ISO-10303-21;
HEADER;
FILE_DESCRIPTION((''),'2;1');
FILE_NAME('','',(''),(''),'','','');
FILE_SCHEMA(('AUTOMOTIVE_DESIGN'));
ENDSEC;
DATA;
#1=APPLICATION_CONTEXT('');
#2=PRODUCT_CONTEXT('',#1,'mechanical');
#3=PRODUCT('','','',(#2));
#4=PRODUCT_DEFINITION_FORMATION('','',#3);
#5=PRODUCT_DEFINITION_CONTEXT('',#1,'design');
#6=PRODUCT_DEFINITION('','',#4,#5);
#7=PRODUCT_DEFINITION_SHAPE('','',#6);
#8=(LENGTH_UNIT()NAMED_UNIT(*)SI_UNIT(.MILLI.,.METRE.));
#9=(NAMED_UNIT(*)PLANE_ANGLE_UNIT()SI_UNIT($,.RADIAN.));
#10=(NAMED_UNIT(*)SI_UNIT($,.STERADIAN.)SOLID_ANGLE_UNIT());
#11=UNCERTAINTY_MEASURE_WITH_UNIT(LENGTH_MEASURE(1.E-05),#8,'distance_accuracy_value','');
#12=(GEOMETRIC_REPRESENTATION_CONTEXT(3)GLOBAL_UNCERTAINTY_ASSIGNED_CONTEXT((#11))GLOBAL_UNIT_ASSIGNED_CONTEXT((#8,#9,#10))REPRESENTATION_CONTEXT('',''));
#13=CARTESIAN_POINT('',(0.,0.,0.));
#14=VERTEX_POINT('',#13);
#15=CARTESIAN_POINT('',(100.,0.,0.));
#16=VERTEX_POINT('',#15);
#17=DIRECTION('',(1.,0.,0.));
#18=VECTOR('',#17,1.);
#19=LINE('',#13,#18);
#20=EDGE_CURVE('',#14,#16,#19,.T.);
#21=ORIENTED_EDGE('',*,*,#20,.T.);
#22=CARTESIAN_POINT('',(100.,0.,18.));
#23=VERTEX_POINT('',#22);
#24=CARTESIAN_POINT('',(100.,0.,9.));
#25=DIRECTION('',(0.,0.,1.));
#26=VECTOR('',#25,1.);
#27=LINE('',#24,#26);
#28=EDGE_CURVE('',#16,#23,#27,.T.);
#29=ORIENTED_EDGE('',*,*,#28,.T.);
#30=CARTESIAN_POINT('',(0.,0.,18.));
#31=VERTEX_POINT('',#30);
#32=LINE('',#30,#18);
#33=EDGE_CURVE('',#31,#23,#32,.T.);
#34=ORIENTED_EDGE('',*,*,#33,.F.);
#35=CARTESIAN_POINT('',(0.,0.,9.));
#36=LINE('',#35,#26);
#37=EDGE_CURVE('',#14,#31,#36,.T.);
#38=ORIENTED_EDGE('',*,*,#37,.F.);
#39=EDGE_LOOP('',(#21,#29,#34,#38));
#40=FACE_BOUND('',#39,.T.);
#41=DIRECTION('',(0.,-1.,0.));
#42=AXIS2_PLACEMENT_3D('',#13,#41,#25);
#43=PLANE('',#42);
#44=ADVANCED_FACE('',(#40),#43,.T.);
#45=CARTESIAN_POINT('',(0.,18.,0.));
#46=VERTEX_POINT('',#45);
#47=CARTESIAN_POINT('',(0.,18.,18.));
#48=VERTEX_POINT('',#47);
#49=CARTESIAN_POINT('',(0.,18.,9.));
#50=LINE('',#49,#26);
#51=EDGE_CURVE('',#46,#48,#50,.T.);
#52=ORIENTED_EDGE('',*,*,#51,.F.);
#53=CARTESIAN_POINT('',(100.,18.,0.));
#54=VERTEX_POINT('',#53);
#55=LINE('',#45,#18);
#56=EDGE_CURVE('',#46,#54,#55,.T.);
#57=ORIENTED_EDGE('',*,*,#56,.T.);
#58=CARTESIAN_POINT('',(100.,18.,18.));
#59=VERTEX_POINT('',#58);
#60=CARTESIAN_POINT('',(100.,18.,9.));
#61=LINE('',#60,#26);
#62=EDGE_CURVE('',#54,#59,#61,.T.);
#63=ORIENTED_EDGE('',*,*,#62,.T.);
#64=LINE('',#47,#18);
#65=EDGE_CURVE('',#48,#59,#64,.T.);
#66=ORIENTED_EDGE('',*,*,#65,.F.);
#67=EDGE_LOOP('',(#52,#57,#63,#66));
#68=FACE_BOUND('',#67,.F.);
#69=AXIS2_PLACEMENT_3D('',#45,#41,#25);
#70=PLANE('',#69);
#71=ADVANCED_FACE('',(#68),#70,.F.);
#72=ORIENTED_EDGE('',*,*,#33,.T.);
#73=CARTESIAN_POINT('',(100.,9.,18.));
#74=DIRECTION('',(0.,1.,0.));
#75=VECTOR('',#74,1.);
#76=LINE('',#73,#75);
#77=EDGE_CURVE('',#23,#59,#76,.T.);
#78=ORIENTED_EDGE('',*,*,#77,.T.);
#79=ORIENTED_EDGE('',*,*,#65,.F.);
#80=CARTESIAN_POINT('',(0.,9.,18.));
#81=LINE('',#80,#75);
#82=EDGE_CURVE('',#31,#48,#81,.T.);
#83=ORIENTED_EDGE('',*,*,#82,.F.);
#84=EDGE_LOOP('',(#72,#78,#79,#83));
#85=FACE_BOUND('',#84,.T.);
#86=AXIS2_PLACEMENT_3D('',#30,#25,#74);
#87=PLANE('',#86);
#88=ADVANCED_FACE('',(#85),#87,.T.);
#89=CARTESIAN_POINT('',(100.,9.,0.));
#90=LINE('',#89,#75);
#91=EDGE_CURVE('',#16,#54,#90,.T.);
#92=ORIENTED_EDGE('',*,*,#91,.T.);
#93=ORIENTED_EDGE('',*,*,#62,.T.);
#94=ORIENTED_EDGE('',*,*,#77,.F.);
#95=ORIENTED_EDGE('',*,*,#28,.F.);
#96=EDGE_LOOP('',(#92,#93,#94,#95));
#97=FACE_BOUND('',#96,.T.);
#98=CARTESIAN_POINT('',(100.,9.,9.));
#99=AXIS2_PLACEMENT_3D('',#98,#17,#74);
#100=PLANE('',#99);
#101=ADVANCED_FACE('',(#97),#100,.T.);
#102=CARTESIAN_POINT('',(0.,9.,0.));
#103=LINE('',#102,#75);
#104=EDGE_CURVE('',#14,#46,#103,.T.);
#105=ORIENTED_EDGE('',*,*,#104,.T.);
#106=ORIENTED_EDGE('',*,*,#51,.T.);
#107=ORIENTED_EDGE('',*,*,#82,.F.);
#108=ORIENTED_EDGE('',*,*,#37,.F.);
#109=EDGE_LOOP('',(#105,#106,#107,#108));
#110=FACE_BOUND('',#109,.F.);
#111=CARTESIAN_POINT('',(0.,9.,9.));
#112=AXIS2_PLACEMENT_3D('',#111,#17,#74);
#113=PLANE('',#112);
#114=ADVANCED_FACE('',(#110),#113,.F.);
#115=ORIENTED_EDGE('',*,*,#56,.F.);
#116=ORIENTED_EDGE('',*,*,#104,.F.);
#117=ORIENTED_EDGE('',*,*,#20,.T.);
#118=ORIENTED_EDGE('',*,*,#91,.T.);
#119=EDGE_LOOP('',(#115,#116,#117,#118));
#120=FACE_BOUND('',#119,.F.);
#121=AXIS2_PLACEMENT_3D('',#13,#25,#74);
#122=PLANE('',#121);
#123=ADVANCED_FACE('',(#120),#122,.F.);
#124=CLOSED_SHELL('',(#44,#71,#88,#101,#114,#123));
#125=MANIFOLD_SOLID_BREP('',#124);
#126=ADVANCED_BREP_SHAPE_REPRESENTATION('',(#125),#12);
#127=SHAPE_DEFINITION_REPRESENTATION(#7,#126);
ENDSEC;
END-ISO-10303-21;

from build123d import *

# Parameters (mm, degrees)
SKETCH_W  = 18
SKETCH_H  = 18
PAD_DEPTH = 100


with BuildPart() as part:
    # Sketch → Pad (new body)
    with BuildSketch(Plane.YZ):
        with Locations((9, 9)):
            Rectangle(SKETCH_W, SKETCH_H)
    extrude(amount=PAD_DEPTH)


solid = part.part
